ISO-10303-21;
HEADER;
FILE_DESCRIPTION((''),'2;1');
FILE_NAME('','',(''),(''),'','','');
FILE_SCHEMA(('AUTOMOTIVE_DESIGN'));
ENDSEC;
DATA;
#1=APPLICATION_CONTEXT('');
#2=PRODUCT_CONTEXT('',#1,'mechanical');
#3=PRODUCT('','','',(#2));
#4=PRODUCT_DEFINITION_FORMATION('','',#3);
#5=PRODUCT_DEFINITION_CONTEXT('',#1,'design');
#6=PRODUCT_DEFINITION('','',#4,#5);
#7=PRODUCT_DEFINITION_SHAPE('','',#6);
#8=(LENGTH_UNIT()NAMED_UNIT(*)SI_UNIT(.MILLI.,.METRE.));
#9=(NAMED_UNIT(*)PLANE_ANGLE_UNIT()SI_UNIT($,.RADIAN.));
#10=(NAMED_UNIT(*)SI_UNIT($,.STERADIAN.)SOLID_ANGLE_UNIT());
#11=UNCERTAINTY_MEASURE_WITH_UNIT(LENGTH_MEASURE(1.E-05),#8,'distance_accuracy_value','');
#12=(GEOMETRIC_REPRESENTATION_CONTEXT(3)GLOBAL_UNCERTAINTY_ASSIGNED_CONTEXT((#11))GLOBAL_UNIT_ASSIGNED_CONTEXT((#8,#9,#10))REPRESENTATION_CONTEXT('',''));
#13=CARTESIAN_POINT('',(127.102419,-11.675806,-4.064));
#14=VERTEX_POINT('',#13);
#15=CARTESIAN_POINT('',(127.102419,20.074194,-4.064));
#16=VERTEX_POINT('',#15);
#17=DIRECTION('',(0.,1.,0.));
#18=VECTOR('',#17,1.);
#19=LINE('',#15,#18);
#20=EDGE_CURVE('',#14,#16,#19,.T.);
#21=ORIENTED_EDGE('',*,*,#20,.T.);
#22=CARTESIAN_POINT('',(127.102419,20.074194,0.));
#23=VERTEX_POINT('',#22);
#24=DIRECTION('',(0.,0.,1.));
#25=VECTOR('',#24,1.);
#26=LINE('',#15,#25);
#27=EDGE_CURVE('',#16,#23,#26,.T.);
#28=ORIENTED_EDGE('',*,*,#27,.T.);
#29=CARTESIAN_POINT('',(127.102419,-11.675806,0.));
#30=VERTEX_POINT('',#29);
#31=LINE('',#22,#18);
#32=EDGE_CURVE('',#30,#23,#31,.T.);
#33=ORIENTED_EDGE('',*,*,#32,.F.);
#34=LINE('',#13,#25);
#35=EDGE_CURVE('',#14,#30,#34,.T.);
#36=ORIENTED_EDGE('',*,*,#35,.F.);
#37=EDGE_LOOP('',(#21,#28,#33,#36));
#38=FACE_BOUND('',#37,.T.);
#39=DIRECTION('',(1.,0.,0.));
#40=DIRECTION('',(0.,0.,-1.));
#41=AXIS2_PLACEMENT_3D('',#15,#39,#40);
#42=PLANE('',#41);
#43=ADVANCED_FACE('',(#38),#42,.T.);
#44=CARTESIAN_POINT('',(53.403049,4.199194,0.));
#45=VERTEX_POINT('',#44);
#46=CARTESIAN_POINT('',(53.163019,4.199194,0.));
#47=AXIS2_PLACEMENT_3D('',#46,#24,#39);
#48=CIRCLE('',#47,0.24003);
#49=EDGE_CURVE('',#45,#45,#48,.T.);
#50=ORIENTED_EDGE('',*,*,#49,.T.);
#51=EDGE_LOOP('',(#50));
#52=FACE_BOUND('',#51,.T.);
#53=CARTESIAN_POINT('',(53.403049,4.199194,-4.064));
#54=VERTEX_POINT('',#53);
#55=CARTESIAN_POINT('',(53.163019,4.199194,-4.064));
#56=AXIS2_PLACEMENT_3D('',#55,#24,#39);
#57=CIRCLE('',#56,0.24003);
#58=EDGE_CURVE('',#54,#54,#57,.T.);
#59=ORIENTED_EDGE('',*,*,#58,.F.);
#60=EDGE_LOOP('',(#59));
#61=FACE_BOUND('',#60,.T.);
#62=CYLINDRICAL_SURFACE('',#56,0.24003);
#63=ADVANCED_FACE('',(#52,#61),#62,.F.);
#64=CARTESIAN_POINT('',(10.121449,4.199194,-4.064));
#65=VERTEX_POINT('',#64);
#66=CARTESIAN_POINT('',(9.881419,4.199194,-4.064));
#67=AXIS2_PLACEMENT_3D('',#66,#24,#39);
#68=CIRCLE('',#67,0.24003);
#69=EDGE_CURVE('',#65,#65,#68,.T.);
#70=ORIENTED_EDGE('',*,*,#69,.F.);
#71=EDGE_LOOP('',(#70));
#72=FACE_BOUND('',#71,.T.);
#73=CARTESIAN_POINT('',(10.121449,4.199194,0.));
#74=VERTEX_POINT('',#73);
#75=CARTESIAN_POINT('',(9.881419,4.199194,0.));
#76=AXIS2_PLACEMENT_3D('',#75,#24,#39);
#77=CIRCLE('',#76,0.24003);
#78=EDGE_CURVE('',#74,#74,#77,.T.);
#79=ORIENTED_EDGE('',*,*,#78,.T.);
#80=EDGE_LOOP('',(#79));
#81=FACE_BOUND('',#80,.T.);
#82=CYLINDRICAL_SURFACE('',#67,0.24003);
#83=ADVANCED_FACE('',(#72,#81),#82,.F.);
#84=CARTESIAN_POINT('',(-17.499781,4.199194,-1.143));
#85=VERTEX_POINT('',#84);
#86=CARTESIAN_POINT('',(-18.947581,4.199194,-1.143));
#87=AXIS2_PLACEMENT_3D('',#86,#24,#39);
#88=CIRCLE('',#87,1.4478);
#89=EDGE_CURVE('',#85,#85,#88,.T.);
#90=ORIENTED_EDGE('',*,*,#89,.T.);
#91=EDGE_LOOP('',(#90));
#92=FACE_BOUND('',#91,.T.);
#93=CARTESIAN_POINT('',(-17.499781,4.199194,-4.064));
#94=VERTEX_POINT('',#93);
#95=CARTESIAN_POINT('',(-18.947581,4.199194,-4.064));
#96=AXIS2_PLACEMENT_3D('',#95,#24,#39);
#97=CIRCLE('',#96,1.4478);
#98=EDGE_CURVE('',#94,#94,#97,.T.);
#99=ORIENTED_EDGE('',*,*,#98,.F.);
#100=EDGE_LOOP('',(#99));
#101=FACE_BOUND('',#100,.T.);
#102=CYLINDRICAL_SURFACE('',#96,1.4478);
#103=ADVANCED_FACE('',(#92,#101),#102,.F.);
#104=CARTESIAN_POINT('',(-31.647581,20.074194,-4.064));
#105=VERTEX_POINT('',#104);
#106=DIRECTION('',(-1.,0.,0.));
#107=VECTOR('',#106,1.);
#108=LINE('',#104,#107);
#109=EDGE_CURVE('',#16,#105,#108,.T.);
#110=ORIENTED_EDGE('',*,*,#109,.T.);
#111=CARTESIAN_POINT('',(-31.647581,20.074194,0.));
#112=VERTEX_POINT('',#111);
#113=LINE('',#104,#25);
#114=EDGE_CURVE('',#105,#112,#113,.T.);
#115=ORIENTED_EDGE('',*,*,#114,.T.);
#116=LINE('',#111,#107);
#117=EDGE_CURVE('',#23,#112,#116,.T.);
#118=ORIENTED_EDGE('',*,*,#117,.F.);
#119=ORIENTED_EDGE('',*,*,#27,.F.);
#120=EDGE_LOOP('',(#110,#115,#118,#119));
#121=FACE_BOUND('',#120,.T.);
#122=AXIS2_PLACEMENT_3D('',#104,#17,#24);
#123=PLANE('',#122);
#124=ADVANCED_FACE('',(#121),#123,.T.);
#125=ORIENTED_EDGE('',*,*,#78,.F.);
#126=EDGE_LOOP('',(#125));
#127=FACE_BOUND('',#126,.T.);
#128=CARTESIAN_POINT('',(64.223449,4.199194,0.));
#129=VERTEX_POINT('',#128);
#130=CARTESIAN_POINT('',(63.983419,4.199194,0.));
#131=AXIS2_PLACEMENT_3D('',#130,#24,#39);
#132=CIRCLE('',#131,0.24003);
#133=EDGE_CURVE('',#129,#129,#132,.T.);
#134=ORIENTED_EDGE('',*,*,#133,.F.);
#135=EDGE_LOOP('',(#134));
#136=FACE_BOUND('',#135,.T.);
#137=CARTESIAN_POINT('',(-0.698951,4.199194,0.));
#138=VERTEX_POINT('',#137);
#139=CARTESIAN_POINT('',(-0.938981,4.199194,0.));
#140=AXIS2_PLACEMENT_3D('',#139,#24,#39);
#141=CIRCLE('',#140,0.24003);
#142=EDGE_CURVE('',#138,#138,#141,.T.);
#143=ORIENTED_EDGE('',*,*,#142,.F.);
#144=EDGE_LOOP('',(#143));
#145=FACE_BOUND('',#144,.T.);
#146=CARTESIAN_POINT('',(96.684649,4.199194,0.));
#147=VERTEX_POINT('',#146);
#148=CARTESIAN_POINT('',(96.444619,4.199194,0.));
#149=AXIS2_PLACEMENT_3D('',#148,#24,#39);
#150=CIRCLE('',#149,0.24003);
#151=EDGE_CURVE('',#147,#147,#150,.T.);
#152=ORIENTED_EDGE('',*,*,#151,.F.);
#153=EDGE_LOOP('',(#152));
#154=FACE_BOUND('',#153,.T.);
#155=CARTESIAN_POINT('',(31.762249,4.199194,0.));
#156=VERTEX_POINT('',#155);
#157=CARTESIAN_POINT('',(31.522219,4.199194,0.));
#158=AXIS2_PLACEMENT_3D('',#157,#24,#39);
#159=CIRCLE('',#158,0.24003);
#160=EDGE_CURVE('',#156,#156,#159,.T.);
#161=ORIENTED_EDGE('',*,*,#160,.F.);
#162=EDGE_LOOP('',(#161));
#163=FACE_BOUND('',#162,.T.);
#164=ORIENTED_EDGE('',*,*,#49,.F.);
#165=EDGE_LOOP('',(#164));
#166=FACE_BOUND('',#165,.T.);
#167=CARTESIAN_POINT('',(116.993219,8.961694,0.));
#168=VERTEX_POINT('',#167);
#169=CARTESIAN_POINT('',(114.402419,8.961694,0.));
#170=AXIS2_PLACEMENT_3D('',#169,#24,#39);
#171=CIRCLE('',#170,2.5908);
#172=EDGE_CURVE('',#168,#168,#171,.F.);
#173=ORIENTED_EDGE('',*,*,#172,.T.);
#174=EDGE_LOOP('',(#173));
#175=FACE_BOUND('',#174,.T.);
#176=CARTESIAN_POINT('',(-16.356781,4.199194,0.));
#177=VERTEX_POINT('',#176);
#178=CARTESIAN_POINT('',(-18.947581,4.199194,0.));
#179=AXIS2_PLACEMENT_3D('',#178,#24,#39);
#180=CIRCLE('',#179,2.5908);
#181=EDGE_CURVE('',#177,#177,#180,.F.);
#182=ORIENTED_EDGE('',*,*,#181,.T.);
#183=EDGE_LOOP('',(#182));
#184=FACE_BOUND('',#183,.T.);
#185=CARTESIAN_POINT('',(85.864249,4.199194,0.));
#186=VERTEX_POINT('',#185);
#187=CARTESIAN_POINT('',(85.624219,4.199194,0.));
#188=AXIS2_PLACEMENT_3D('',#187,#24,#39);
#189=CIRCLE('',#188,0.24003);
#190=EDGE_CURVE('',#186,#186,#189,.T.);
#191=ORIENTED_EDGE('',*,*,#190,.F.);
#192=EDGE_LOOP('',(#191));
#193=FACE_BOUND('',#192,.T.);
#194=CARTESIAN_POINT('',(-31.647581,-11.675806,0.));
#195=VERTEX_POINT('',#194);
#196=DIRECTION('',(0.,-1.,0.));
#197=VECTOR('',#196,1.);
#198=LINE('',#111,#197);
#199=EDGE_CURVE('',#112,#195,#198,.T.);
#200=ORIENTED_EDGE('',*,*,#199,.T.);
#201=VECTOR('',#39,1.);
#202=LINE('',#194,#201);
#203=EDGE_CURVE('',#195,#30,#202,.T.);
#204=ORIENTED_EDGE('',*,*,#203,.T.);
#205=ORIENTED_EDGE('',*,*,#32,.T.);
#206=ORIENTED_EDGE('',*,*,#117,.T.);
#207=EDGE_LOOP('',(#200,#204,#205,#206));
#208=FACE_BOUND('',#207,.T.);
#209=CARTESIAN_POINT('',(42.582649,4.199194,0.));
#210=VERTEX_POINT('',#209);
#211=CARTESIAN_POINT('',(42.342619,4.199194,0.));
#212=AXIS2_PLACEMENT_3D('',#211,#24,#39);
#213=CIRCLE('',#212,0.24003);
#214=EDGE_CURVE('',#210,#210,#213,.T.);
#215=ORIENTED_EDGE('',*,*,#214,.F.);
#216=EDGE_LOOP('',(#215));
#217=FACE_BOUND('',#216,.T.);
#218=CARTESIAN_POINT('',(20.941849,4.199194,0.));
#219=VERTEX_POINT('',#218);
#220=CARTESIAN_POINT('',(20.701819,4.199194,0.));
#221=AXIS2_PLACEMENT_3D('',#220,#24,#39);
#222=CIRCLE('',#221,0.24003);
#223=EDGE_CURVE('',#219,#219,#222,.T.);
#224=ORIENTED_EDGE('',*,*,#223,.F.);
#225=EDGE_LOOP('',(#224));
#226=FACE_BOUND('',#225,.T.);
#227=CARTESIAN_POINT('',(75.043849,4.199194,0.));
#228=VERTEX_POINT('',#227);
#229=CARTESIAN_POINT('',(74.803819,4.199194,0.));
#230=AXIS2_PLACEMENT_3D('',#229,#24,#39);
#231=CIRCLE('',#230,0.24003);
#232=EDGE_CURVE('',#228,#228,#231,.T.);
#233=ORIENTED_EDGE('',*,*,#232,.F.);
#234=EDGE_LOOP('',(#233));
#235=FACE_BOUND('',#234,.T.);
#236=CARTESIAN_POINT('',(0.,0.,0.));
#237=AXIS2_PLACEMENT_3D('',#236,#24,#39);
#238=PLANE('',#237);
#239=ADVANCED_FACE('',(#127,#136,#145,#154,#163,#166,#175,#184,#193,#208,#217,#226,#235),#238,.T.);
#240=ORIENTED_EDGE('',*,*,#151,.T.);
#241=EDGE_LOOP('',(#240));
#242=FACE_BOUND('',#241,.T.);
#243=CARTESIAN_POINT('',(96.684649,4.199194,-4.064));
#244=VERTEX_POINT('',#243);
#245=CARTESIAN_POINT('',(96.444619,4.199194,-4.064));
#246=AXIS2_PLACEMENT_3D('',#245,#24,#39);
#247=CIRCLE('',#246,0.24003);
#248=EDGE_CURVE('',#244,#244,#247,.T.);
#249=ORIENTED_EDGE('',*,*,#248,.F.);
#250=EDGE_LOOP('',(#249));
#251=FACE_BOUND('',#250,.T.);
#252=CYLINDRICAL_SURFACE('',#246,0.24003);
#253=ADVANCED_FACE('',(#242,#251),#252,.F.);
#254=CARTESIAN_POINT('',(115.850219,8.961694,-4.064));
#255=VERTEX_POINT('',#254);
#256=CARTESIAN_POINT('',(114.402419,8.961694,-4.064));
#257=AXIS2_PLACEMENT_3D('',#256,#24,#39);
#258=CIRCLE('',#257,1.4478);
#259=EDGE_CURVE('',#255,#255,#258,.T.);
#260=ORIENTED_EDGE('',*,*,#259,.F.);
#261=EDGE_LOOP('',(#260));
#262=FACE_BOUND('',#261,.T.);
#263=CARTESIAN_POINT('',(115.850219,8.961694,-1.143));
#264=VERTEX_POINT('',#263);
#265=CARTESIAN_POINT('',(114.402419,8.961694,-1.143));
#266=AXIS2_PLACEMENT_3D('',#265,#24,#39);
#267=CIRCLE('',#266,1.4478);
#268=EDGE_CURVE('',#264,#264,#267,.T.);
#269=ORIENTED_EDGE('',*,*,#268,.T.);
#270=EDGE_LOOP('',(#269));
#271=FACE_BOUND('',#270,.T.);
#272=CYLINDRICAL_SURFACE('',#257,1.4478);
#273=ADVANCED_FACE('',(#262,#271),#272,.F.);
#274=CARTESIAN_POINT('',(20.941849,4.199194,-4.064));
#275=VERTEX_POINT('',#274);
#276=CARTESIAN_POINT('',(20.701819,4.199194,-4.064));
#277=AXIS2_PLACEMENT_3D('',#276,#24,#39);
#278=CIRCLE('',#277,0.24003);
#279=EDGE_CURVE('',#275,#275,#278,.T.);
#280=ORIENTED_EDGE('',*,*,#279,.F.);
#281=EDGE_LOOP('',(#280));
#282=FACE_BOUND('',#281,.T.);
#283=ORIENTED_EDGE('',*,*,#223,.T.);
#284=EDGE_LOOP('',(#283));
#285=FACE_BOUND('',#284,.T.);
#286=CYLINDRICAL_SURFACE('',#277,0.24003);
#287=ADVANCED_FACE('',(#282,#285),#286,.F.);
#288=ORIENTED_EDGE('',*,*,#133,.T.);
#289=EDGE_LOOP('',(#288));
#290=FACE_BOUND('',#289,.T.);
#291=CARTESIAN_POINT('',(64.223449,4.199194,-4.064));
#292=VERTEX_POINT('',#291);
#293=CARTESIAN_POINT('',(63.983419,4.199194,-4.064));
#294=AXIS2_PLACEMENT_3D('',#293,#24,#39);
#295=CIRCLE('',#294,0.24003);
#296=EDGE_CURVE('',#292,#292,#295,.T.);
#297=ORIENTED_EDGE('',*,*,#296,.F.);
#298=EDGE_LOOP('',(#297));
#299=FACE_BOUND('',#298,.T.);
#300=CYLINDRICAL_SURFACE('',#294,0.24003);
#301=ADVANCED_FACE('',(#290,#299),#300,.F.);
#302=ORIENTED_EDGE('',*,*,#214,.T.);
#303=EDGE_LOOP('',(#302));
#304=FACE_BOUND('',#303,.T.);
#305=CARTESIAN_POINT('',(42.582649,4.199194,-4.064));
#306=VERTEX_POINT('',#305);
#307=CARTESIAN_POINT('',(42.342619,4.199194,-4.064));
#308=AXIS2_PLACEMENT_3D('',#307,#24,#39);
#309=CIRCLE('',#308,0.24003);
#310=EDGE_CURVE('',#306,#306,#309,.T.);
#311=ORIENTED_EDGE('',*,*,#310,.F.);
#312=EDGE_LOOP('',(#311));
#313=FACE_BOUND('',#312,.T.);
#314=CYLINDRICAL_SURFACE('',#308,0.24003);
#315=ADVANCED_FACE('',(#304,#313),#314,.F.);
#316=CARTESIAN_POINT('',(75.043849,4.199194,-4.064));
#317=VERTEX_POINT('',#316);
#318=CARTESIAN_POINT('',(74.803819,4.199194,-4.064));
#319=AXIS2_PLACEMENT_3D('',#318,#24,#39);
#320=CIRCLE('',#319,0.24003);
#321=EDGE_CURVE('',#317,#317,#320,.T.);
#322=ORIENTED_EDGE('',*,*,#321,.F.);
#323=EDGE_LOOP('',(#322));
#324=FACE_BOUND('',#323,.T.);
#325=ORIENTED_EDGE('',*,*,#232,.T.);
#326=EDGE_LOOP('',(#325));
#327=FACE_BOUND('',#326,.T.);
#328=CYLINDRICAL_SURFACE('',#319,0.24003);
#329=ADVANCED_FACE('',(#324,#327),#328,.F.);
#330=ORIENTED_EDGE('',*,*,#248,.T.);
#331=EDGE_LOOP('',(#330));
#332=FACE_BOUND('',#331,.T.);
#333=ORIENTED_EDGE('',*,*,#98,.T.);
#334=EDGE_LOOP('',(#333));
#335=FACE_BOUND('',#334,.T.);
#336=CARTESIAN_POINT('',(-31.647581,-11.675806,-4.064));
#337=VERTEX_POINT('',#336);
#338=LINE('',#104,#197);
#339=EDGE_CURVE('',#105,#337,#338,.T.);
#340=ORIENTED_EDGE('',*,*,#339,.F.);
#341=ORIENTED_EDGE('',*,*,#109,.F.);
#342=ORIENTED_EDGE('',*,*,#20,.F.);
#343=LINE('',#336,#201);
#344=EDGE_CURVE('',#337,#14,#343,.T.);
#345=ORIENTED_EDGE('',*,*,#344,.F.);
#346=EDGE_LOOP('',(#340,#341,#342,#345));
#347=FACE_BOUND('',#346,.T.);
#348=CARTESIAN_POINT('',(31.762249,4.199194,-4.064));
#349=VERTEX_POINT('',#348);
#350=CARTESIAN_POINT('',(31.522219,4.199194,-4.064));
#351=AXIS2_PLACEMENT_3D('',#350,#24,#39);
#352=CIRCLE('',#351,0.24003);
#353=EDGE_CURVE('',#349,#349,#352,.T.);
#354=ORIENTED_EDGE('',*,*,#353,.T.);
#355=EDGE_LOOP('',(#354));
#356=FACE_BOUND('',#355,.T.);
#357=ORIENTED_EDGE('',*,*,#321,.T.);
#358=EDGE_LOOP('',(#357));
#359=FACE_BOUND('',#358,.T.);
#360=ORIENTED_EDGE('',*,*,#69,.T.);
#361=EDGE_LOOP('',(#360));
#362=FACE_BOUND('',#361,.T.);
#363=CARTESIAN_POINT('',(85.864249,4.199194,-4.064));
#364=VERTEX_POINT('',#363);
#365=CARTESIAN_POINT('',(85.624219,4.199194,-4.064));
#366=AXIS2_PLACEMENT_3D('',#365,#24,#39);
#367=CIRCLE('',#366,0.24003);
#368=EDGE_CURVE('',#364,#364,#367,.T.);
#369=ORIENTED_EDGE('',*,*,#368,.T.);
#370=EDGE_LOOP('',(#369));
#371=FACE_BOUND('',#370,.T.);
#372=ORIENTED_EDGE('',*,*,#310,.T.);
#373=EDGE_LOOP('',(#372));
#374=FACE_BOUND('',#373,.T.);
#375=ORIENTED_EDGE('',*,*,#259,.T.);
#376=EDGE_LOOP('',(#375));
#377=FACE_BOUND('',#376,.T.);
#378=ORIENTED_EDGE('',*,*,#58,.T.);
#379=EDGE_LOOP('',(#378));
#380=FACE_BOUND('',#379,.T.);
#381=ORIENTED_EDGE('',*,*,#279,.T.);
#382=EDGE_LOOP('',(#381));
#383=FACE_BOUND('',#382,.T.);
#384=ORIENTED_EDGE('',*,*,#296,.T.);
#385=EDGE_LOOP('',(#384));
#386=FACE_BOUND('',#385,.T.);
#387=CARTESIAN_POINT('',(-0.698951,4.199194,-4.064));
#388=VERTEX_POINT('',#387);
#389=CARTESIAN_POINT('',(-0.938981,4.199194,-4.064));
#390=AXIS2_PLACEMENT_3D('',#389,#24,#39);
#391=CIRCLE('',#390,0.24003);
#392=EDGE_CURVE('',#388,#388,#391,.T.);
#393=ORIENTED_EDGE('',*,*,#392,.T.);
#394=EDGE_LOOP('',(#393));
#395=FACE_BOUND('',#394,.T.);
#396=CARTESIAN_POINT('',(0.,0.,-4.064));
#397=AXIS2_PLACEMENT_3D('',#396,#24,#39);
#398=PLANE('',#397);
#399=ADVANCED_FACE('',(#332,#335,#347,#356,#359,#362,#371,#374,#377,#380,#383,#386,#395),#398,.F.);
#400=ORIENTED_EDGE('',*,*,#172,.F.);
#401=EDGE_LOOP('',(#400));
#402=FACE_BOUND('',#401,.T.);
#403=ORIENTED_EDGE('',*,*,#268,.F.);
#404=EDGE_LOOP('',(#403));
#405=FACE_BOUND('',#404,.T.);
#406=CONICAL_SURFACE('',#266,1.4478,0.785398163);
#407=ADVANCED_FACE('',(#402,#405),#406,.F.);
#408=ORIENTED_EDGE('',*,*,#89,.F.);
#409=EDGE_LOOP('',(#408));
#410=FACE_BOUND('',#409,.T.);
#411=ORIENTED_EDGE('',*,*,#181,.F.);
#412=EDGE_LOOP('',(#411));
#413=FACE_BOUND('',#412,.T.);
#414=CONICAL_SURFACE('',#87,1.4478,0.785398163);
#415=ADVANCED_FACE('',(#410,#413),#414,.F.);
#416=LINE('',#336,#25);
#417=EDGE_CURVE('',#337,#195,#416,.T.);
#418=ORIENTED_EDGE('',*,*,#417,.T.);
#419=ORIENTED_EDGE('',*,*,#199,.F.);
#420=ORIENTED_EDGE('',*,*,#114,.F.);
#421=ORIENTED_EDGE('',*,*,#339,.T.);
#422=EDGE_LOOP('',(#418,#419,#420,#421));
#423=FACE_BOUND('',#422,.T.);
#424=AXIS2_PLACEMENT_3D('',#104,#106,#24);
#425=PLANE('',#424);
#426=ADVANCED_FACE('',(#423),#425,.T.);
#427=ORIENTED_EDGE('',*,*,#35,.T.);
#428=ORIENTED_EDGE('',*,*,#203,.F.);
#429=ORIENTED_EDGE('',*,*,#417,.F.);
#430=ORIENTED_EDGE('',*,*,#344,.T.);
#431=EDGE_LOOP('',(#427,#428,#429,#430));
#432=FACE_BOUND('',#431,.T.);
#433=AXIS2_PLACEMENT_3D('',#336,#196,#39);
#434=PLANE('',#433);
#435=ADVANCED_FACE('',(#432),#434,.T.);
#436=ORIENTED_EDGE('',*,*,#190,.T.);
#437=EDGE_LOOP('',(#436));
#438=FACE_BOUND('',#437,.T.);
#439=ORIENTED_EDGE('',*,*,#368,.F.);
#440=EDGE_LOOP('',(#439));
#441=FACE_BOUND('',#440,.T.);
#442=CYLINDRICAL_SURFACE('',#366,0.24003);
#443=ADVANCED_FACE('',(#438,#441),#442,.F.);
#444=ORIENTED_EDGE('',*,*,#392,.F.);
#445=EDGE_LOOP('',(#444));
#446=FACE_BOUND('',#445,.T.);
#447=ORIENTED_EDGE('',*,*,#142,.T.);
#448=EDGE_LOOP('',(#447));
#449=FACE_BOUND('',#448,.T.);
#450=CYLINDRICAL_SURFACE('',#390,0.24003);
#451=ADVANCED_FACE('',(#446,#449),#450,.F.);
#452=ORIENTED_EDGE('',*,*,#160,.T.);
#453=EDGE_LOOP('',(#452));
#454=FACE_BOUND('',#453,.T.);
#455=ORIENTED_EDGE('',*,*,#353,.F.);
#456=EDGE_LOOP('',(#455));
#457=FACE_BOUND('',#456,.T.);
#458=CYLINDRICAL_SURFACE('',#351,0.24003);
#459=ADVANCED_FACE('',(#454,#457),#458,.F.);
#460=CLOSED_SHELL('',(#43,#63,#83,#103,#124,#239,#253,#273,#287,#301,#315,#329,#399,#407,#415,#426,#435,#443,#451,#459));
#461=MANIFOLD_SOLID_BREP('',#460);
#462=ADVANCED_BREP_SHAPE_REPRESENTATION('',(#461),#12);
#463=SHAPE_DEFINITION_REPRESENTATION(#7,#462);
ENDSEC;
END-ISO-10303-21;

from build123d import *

# Parameters (mm, degrees)
SKETCH1_W           = 158.75
SKETCH1_H           = 31.75
BOSS_EXTRUDE1_DEPTH = 4.064
SKETCH2_R           = 1.4478
CUT_EXTRUDE1_DEPTH  = 5.064
CHAMFER1_SIZE       = 1.143
SKETCH4_R           = 0.24003
CUT_EXTRUDE2_DEPTH  = 5.064
LPATTERN1_COUNT     = 10
LPATTERN1_PITCH     = 10.8204


with BuildPart() as part:
    # Sketch1 → Boss-Extrude1 (new body)
    with BuildSketch(Plane.XY):
        with Locations((47.727419355, 4.199193548)):
            Rectangle(SKETCH1_W, SKETCH1_H)
    extrude(amount=-BOSS_EXTRUDE1_DEPTH)

    # Sketch2 → Cut-Extrude1 (cut, through all)
    with BuildSketch(Plane.XY):
        with Locations((-18.947580645, 4.199193548)):
            Circle(SKETCH2_R)
        with Locations((114.402419355, 8.961693548)):
            Circle(SKETCH2_R)
    extrude(amount=-CUT_EXTRUDE1_DEPTH, mode=Mode.SUBTRACT)

    # Chamfer1
    chamfer1_edges = [part.edges().sort_by_distance(p)[0] for p in [
        (-20.395380645, 4.199193548, 0),
        (112.954619355, 8.961693548, 0),
    ]]
    chamfer(chamfer1_edges, length=CHAMFER1_SIZE)

    # Sketch4 → Cut-Extrude2 (cut, through all)
    with BuildSketch(Plane.XY):
        with Locations((-0.938980645, 4.199193548)):
            Circle(SKETCH4_R)
    cut_extrude2 = extrude(amount=-CUT_EXTRUDE2_DEPTH, mode=Mode.SUBTRACT)

    # LPattern1: Cut-Extrude2 ×10
    with Locations(*[(i * LPATTERN1_PITCH, 0, 0) for i in range(1, LPATTERN1_COUNT)]):
        add(cut_extrude2, mode=Mode.SUBTRACT)


solid = part.part
